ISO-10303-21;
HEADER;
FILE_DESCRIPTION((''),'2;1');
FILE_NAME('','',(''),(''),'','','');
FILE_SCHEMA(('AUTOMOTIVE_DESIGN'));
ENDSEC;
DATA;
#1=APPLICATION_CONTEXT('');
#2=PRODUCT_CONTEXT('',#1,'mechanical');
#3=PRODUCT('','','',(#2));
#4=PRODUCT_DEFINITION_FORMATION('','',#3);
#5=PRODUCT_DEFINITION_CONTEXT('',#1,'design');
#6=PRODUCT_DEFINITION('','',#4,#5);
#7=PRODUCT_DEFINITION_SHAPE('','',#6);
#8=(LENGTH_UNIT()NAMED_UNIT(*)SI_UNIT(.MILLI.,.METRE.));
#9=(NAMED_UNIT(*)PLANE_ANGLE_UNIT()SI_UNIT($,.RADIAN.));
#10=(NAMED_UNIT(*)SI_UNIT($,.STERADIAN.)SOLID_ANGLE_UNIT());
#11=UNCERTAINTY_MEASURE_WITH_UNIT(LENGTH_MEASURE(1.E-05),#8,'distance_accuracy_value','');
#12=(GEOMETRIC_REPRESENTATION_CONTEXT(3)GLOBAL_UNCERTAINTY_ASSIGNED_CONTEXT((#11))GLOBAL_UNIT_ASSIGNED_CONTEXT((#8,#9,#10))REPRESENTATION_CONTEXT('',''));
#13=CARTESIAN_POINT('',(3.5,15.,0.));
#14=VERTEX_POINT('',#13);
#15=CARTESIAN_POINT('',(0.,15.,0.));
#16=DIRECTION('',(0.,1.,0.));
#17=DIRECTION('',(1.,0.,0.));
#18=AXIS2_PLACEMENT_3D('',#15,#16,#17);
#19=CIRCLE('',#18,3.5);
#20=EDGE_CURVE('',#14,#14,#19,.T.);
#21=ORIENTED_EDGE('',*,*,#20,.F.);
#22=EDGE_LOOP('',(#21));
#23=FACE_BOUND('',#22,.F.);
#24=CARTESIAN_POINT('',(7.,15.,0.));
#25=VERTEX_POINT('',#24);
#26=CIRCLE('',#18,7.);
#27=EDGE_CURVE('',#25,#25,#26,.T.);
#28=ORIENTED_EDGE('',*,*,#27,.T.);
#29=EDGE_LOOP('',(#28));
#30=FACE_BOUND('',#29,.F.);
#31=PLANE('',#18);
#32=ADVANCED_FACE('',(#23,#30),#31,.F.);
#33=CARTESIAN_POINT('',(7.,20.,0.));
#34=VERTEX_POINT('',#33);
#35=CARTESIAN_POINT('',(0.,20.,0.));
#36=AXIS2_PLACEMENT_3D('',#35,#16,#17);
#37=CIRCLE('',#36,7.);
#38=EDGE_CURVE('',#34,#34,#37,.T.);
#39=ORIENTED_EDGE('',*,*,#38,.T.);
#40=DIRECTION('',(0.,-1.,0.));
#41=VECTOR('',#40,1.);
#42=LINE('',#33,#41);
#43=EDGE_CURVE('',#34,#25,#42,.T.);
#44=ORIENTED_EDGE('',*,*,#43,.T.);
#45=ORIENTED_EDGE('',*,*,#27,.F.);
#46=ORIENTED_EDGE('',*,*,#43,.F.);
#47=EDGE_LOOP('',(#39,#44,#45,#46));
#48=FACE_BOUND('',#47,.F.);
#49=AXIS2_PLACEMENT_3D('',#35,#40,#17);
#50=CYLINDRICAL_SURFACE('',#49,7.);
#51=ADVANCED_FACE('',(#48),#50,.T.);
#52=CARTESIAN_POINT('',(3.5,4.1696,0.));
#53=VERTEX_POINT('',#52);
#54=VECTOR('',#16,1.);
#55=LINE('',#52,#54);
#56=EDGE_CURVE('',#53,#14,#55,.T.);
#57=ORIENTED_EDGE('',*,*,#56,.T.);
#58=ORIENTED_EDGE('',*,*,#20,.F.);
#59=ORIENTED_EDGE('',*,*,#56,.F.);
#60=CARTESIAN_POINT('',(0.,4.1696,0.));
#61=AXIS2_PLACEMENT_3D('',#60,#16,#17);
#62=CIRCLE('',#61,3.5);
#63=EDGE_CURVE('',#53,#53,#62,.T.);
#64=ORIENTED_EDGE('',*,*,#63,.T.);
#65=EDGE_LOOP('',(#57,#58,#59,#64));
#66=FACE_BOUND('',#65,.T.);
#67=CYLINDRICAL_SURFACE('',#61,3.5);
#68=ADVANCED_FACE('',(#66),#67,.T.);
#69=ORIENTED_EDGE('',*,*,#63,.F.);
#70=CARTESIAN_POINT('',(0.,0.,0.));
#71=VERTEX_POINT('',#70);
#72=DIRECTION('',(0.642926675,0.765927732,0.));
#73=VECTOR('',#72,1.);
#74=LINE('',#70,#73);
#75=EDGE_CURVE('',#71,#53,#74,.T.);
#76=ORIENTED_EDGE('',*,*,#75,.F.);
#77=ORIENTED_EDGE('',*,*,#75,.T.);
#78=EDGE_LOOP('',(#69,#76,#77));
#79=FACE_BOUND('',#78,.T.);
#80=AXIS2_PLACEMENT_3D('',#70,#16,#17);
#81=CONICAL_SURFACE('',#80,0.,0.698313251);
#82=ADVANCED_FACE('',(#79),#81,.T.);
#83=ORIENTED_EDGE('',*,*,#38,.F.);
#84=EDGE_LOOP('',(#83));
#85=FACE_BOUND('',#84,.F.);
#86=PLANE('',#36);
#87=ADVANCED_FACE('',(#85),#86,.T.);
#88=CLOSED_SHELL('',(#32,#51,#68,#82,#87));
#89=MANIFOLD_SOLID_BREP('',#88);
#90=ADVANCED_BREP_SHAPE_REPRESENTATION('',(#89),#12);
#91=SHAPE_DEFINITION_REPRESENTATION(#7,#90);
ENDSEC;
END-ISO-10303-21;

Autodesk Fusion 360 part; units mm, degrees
sketch "Sketch1" plane through (0, 0, 0) normal (0, 0, 1) x (1, 0, 0)
  line L0 (0, 0) -> (0, 20)
  line L1 (0, 20) -> (7, 20)
  line L2 (7, 20) -> (7, 15)
  line L3 (7, 15) -> (3.5, 15)
  line L4 (0, 0) -> (0.0013, 0)
  line L5 (0.0013, 0) -> (3.5, 4.1696)
  line L6 (3.5, 4.1696) -> (3.5, 15)
  dimension "d6" = 20
  dimension "d7" = 7
  dimension "d8" = 5
  dimension "d9" = 3.5
  dimension "d13" = 40
revolve "Revolve2" add sketch "Sketch1" angle 360 about axis through (0, 0, 0) along (0, 1, 0)
